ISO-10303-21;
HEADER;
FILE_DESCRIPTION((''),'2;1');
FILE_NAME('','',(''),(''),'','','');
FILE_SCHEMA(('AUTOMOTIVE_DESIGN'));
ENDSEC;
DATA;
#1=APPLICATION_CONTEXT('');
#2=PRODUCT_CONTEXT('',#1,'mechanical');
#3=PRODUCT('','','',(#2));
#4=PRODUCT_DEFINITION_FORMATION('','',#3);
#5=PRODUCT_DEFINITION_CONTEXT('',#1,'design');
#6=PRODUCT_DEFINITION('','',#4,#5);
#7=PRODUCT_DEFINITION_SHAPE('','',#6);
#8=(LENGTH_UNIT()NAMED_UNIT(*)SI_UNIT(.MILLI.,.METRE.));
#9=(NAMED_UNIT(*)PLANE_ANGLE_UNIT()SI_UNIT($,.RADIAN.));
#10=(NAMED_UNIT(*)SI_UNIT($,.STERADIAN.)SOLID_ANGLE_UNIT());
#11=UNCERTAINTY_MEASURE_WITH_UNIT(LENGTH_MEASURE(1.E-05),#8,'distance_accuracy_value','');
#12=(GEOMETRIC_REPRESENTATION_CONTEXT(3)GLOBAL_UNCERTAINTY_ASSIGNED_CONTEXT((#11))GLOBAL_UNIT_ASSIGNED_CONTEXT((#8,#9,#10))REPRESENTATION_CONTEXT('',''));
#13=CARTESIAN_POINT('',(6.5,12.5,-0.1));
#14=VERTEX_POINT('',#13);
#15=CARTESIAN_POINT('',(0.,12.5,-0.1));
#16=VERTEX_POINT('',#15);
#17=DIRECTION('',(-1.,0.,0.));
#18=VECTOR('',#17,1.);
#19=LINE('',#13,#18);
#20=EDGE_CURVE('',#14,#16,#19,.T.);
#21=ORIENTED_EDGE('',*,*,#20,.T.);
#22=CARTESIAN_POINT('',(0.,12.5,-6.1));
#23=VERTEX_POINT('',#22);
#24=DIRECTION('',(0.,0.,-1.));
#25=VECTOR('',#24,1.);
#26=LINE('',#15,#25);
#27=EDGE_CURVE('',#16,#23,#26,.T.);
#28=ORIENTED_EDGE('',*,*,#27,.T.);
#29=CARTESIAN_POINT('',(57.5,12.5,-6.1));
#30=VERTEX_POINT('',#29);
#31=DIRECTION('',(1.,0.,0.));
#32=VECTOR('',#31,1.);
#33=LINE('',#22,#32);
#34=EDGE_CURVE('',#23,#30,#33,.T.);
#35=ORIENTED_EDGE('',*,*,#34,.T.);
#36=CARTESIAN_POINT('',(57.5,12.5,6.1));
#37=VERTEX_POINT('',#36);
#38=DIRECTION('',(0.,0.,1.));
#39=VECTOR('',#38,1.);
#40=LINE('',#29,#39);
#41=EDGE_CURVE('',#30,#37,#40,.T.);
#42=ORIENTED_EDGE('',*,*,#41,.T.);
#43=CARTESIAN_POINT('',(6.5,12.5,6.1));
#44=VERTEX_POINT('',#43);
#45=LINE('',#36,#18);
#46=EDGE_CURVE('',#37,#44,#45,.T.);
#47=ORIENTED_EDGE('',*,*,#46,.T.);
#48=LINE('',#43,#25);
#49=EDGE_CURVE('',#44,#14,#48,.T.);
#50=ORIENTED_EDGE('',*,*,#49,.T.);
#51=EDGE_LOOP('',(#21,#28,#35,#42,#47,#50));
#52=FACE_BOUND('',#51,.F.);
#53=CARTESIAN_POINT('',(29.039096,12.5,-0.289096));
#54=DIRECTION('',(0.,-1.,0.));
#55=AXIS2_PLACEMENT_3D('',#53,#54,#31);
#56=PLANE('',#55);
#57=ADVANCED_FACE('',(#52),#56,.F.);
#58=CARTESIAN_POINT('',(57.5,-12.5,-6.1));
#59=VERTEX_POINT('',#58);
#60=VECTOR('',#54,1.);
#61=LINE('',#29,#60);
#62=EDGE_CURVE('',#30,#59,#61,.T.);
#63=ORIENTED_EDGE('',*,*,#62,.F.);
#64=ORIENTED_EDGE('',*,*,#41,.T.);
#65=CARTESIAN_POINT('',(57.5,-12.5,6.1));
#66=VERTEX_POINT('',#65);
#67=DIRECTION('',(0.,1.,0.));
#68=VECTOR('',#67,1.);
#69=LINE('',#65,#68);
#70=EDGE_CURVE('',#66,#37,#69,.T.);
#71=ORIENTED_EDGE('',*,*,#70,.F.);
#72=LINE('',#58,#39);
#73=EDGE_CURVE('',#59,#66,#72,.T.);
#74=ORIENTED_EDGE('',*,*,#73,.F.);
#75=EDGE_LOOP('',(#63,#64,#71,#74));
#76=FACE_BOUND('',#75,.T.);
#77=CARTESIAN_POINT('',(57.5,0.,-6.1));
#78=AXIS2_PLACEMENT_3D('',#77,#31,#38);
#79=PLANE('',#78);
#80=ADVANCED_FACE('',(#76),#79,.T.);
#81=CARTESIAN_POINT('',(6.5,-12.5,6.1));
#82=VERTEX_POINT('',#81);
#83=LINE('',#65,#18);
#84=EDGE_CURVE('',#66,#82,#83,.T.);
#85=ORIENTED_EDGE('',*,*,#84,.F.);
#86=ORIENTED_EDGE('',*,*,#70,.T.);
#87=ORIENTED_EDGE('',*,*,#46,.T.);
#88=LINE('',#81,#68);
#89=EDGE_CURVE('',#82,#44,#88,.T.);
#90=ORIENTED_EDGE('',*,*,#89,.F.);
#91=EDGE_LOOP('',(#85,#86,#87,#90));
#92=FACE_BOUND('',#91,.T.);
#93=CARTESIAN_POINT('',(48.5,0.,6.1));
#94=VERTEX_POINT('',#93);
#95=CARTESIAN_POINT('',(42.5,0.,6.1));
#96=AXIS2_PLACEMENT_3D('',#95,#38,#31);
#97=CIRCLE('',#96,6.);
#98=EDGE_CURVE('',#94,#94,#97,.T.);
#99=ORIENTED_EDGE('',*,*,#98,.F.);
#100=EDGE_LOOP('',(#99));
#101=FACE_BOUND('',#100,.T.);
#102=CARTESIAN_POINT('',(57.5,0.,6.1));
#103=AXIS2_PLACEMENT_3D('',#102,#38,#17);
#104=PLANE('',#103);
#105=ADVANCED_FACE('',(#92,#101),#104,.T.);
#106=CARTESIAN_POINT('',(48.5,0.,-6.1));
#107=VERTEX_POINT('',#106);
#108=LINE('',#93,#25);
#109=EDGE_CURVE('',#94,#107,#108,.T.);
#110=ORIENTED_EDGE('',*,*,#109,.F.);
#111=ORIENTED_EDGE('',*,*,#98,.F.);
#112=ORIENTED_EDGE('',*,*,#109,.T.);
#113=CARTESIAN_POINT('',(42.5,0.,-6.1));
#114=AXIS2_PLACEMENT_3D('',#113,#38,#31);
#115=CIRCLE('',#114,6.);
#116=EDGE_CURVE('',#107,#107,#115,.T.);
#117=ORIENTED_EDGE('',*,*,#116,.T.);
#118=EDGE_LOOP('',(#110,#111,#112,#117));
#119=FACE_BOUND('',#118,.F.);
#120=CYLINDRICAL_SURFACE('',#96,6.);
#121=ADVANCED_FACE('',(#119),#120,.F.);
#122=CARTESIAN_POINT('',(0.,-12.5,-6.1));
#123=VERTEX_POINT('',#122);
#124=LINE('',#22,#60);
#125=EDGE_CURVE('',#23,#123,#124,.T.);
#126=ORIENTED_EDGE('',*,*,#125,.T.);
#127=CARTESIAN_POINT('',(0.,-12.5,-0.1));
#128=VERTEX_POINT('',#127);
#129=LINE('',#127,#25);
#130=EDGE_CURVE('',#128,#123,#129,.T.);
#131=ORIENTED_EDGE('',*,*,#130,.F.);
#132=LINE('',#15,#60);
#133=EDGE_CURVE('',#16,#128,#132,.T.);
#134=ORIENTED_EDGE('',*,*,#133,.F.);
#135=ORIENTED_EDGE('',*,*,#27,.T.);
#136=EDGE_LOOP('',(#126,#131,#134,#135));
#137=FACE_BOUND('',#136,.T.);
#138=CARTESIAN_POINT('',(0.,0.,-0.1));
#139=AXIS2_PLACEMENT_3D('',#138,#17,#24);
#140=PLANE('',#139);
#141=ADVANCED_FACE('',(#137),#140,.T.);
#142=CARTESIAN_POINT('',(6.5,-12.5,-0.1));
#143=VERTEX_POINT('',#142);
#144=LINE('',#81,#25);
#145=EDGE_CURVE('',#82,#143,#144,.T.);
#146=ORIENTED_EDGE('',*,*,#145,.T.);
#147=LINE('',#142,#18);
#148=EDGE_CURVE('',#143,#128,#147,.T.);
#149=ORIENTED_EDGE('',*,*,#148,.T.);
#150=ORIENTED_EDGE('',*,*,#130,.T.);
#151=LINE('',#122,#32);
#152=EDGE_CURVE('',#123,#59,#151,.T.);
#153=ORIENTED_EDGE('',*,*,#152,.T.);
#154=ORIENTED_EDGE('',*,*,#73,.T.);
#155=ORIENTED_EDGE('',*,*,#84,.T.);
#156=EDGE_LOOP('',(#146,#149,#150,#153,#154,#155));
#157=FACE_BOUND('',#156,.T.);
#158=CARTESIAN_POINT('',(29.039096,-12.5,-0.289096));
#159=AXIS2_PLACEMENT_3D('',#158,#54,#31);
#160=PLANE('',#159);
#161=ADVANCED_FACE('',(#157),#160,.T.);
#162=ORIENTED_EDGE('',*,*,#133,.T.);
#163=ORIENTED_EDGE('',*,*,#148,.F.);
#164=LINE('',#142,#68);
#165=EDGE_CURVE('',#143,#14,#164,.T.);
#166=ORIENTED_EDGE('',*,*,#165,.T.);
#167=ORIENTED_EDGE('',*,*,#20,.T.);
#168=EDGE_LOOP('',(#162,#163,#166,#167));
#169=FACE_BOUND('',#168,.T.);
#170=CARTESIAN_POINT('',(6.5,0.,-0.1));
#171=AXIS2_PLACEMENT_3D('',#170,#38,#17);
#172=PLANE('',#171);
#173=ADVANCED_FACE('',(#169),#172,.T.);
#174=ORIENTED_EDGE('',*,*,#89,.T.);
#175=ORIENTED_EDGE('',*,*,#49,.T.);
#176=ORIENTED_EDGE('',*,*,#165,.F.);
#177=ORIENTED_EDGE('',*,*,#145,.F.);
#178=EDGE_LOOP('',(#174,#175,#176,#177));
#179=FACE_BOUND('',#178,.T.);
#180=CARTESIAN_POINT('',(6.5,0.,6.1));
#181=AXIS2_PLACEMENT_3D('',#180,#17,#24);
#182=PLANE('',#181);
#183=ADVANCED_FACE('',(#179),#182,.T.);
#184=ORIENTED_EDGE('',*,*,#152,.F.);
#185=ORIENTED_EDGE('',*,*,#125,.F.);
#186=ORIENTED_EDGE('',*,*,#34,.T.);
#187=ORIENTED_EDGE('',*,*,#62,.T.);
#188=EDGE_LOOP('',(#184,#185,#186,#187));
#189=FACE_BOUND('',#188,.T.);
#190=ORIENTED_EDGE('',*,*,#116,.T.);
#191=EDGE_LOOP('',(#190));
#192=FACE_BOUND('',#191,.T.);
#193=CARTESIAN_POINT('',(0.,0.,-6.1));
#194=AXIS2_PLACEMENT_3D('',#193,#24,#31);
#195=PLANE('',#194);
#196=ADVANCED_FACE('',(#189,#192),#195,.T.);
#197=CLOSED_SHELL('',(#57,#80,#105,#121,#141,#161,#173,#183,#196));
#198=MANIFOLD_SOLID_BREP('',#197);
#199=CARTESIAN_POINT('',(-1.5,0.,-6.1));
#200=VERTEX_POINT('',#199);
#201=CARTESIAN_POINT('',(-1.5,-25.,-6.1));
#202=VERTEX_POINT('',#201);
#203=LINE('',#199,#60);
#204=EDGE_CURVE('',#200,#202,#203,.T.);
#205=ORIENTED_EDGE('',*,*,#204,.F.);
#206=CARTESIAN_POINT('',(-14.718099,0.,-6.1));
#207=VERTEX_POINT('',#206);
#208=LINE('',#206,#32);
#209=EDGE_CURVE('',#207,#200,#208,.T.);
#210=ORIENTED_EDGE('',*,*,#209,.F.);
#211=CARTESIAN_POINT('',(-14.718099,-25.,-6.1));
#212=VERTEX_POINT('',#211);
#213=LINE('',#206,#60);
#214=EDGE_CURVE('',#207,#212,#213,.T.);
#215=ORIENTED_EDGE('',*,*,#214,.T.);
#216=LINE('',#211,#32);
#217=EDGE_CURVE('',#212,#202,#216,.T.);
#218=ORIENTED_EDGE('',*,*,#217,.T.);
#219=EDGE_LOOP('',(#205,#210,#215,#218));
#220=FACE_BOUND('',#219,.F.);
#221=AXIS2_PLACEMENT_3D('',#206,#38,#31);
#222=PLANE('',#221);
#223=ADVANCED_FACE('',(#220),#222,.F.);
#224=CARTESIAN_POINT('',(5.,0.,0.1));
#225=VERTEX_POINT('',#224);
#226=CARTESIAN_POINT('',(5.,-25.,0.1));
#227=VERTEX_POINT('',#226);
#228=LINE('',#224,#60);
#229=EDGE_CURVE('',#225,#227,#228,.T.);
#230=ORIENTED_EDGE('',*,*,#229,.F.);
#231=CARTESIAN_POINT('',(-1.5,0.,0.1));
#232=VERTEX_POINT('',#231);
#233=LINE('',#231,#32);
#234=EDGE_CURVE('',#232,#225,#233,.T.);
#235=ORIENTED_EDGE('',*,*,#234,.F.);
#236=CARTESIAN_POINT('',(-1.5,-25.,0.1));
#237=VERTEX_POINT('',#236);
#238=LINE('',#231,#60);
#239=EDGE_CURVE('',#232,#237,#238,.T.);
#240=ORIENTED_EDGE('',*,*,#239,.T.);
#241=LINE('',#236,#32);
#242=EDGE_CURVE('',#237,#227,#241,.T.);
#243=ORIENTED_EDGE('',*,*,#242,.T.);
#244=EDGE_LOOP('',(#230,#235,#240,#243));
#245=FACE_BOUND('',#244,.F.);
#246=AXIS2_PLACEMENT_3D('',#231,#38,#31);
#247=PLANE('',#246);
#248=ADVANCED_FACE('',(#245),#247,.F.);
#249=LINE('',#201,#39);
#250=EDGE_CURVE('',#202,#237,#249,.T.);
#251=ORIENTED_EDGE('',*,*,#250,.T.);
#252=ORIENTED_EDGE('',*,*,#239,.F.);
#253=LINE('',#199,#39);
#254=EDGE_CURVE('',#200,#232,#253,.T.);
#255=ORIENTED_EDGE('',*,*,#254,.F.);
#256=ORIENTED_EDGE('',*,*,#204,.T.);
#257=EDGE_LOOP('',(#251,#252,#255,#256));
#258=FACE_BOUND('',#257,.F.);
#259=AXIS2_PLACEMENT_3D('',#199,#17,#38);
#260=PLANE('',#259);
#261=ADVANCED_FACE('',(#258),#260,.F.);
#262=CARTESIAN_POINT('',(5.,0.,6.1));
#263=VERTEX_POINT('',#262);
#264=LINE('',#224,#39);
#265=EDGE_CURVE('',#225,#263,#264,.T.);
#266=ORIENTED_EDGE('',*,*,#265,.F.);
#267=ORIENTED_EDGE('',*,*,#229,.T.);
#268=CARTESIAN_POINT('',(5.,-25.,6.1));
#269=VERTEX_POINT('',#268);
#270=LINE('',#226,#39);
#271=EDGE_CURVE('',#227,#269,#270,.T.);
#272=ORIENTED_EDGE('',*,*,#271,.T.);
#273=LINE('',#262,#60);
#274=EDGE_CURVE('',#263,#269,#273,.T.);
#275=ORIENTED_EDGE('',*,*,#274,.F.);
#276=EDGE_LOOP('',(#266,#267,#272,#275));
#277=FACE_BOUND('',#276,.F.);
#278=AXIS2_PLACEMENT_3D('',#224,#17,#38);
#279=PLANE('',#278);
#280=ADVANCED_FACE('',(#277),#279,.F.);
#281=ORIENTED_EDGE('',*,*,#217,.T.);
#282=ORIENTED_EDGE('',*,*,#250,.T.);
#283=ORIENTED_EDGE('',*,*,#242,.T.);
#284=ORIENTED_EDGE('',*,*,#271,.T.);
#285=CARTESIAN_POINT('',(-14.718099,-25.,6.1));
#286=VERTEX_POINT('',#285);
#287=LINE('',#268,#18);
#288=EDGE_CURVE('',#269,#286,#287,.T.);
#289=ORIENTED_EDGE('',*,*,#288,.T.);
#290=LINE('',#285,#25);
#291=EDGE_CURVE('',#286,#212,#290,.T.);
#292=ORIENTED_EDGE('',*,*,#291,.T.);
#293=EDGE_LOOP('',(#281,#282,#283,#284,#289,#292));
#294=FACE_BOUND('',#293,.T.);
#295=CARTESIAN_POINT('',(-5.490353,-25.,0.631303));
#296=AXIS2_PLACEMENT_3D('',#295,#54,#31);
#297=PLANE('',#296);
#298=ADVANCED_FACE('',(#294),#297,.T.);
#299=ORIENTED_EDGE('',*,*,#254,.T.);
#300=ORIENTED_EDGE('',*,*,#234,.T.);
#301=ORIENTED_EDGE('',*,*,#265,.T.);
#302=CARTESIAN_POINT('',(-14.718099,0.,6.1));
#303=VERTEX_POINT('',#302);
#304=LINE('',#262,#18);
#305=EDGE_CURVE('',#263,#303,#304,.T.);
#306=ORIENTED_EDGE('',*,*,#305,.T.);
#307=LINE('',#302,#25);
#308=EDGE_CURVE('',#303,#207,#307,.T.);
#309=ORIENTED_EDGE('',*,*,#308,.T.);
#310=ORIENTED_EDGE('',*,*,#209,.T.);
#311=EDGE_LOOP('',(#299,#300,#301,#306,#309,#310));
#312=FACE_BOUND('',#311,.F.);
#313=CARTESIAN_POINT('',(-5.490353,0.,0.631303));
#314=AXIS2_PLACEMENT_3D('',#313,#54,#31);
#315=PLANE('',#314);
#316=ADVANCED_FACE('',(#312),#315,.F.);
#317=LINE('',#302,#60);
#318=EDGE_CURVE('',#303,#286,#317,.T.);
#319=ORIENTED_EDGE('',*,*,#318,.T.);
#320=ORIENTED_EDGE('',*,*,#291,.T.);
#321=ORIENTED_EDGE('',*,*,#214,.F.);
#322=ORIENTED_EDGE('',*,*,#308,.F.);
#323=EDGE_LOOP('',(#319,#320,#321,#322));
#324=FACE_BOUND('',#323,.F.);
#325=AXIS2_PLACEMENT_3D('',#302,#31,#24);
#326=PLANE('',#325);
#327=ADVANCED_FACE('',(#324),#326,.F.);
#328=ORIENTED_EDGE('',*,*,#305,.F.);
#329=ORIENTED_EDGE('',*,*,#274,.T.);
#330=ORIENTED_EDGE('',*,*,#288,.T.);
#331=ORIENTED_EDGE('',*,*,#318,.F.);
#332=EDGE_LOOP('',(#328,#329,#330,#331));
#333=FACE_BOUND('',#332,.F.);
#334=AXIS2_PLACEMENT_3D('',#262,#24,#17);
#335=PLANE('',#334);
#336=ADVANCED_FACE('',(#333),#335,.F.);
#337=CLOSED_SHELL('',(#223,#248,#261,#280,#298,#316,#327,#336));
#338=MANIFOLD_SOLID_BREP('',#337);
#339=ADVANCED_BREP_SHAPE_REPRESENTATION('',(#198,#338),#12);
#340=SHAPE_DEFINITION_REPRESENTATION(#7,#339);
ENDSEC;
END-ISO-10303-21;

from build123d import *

# Parameters (mm, degrees)
F1_DEPTH = 12.5
F2_R     = 6
F3_DEPTH = 12.201
F5_DEPTH = 25


with BuildPart() as f1:
    # F0 (on Front) → F1 (new body, symmetric)
    with BuildSketch(Plane.XZ):
        Polygon((6.5, -0.1), (0, -0.1), (0, -6.1), (57.5, -6.1), (57.5, 6.1), (6.5, 6.1), align=None)
    extrude(amount=F1_DEPTH, both=True)

    # F2 (on face) → F3 (cut, through all)
    with BuildSketch(Plane.XY.offset(6.1)):
        with Locations((42.5, 0)):
            Circle(F2_R)
    extrude(amount=-F3_DEPTH, mode=Mode.SUBTRACT)


with BuildPart() as f5:
    # F4 (on Front) → F5 (new body)
    with BuildSketch(Plane.XZ):
        Polygon((-1.5, 0.1), (5, 0.1), (5, 6.1), (-14.718099, 6.1), (-14.718099, -6.1), (-1.5, -6.1), align=None)
    extrude(amount=F5_DEPTH)


solid = Compound([f1.part, f5.part])
